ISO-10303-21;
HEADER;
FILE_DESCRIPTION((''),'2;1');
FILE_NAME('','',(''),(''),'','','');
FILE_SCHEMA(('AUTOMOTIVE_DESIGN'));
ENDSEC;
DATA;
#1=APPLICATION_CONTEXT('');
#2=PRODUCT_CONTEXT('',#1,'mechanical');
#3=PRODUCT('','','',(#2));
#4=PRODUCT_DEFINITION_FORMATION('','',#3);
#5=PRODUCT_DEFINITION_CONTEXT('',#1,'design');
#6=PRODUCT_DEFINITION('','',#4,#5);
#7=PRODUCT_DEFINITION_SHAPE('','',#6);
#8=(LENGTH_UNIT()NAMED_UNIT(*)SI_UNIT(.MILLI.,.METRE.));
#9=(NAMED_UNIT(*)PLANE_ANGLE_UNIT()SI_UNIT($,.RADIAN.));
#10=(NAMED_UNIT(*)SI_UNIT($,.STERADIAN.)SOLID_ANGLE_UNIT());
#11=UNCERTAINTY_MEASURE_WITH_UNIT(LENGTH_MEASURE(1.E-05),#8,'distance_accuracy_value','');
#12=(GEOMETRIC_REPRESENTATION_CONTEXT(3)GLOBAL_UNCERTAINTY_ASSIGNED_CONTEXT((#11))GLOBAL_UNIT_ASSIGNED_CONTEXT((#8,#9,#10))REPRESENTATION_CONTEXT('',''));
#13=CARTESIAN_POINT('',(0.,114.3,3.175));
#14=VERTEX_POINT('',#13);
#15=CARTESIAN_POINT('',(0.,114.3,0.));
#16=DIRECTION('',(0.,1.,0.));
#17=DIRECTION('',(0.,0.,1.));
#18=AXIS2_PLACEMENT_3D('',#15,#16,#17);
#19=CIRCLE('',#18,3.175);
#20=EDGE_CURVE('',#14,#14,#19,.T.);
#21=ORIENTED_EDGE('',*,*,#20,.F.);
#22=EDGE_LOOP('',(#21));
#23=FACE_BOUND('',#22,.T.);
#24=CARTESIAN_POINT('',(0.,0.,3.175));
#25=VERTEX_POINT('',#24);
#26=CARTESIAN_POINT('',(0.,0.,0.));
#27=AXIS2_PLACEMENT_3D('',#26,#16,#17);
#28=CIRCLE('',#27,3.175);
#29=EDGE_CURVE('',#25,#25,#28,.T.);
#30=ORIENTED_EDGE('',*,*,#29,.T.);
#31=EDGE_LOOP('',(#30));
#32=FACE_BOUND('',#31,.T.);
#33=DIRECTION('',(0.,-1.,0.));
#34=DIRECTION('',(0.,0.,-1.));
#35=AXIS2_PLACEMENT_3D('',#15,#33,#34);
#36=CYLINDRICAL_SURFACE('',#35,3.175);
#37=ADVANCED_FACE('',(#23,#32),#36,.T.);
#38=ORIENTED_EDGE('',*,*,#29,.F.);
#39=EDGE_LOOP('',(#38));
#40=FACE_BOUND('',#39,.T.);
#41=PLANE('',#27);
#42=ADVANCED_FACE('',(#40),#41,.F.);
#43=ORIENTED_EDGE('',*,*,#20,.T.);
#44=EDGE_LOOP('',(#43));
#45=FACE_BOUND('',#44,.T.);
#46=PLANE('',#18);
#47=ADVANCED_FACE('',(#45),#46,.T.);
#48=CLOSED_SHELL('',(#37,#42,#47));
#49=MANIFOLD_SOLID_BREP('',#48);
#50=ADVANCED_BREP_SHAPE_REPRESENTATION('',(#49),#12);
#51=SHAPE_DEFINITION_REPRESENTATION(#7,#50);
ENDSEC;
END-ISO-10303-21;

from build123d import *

# Parameters (mm, degrees)
SKETCH1_R           = 3.175
BOSS_EXTRUDE1_DEPTH = 114.3


with BuildPart() as part:
    # Sketch1 → Boss-Extrude1 (new body)
    with BuildSketch(Plane(origin=(0, 0, 0), x_dir=(1, 0, 0), z_dir=(0, 1, 0))):
        Circle(SKETCH1_R)
    extrude(amount=BOSS_EXTRUDE1_DEPTH)


solid = part.part
